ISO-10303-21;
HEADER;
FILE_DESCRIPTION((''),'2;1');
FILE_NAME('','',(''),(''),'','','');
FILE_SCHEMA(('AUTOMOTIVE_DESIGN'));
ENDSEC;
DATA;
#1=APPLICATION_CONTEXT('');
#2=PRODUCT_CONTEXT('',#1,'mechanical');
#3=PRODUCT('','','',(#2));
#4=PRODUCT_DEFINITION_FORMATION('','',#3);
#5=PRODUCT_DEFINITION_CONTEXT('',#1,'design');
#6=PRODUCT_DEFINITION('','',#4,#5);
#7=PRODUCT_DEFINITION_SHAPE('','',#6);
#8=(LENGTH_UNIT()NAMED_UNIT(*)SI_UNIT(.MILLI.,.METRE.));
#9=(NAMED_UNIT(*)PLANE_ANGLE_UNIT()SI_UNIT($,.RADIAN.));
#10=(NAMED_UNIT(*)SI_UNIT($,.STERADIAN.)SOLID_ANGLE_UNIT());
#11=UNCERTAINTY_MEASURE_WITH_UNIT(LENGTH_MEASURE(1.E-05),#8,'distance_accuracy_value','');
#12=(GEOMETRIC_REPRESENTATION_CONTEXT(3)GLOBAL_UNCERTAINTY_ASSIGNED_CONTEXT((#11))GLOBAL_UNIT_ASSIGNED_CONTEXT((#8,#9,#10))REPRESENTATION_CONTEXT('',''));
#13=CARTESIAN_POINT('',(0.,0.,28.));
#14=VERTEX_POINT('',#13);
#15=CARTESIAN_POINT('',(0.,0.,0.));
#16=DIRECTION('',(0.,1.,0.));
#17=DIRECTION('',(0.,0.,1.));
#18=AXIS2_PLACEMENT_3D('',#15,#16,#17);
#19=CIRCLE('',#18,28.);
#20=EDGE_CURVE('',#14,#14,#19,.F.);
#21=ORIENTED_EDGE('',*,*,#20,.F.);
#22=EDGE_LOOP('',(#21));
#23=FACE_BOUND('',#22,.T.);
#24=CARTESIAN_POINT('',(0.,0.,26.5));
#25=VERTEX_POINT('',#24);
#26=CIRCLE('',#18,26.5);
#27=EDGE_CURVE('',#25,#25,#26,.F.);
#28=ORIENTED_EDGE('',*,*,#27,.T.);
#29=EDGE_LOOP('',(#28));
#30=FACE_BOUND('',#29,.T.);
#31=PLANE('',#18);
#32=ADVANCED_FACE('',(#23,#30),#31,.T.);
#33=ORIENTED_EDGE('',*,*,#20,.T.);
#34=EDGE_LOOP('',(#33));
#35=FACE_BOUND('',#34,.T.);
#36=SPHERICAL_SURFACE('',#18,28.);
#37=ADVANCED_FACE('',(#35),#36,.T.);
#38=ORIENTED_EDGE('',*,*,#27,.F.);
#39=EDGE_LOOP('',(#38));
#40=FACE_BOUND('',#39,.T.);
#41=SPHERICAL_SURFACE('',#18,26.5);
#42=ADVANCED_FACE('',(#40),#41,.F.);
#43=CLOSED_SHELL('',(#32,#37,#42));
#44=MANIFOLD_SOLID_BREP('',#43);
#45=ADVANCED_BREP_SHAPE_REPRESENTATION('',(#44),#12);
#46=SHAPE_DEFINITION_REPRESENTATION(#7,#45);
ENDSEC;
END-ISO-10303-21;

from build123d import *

# Parameters (mm, degrees)
CROQUIS2_W            = 10
CROQUIS2_H            = 14
REDONDEO1_R           = 1
CROQUIS3_R            = 29.845650159
CORTAR_EXTRUIR1_DEPTH = 30


with BuildPart() as part:
    # Croquis1 → Revolución3 (revolve)
    with BuildSketch(Plane(origin=(0, 0, 0), x_dir=(0, 0, -1), z_dir=(1, 0, 0))):
        with BuildLine():
            Line((-0.5, 27.995535358), (-0.5, 26.495282599))
            Line((-0.5, 26.495282599), (-0.5, 24.9949995))
            ThreePointArc((-0.5, 24.9949995), (-10.791516482, 22.5509018), (-19.151111078, 16.069690242))
            Line((-19.151111078, 16.069690242), (-20.300177743, 17.033871657))
            ThreePointArc((-20.300177743, 17.033871657), (-24.017156356, -11.199383936), (0, -26.5))
            Line((0, -26.5), (0, -28))
            ThreePointArc((0, -28), (-27.998883817, -0.250009966), (-0.5, 27.995535358))
        make_face()
    revolve(axis=Axis((0, 29, 0), (0, -1, 0)))

    # Croquis2 → Cortar-Revolución2 (revolve, cut)
    with BuildSketch(Plane(origin=(0, 0, 0), x_dir=(0, 0, -1), z_dir=(1, 0, 0))):
        with Locations((-5, 23)):
            Rectangle(CROQUIS2_W, CROQUIS2_H)
    revolve(axis=Axis((0, 0, 0), (0, 1, 0)), mode=Mode.SUBTRACT)

    # Redondeo1
    redondeo1_edges = [part.edges().sort_by_distance(p)[0] for p in [
        (0, 22.912878475, -10),
        (0, 26.153393661, -10),
        (0, 16.069690242, -19.151111078),
    ]]
    fillet(redondeo1_edges, radius=REDONDEO1_R)

    # Croquis3 → Cortar-Extruir1 (cut)
    with BuildSketch(Plane(origin=(0, 0, 0), x_dir=(1, 0, 0), z_dir=(0, 1, 0))):
        Circle(CROQUIS3_R)
    extrude(amount=CORTAR_EXTRUIR1_DEPTH, mode=Mode.SUBTRACT)


solid = part.part
